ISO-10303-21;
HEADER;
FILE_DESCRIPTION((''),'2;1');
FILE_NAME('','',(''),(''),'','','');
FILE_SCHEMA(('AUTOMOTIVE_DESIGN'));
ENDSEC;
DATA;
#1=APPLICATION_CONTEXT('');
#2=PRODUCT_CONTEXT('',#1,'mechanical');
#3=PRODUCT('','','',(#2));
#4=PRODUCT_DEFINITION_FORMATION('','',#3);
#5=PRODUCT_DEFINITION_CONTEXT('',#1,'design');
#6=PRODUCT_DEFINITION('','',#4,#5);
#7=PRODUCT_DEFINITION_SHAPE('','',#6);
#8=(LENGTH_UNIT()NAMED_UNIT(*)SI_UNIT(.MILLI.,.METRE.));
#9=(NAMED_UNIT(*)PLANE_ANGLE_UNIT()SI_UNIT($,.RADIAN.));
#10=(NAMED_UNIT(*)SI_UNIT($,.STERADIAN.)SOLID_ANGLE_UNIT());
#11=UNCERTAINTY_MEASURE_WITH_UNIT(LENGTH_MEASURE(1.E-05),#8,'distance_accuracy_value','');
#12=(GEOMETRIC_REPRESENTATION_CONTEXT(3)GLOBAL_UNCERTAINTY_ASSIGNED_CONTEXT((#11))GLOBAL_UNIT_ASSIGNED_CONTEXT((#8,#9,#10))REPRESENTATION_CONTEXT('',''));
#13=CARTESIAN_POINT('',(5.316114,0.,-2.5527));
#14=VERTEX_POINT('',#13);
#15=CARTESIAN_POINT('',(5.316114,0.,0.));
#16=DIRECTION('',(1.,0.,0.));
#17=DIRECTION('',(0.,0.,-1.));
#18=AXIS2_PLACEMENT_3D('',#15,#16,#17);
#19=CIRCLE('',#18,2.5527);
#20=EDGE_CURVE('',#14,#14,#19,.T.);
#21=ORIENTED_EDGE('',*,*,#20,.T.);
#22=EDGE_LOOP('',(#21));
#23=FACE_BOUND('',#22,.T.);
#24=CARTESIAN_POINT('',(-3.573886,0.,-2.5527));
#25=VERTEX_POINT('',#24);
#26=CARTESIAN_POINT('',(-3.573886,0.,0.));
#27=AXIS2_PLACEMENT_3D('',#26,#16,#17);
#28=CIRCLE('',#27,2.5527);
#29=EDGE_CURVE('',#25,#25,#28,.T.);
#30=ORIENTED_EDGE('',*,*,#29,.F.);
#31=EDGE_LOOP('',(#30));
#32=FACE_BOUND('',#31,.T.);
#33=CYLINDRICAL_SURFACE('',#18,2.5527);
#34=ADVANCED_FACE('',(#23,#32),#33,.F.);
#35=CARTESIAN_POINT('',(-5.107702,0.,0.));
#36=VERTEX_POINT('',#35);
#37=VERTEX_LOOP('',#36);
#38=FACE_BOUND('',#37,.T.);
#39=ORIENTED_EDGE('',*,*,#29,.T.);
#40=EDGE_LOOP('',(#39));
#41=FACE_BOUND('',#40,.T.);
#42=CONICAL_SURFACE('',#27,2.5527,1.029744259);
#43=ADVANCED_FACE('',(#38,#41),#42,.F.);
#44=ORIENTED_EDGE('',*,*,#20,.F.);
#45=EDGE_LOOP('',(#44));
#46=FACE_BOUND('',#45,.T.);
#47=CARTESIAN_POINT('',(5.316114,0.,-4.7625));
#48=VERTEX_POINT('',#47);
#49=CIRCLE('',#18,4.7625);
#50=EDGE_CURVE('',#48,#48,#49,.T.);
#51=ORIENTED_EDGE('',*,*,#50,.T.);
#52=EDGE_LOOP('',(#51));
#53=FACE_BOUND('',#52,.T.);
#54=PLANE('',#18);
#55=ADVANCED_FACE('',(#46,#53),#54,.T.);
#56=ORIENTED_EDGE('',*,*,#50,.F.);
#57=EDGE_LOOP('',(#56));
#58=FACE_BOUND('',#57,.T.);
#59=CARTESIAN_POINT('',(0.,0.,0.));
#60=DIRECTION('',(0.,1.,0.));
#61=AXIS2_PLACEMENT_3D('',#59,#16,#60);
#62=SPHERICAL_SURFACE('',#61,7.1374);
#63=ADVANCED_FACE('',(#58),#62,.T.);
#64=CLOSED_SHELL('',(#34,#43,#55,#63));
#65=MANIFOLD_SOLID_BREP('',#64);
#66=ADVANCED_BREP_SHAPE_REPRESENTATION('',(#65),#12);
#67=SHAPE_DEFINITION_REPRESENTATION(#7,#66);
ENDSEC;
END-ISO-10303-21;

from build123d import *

# Parameters (mm, degrees)
F_1_4_20_TAPPED_HOLE1_D     = 5.1054
F_1_4_20_TAPPED_HOLE1_DEPTH = 8.89
F_1_4_20_TAPPED_HOLE1_TIP   = 1.533816902


with BuildPart() as part:
    # Sketch2 → Revolve1 (revolve)
    with BuildSketch(Plane.XY):
        with BuildLine():
            Line((-7.1374, 0), (5.316114418, 0))
            Line((5.316114418, 0), (5.316114418, 4.7625))
            ThreePointArc((5.316114418, 4.7625), (-2.549435595, 6.6665476), (-7.1374, 0))
        make_face()
    revolve(axis=Axis((0, 0, 0), (-1, 0, 0)))

    # 1/4-20 Tapped Hole1
    with Locations(Plane(origin=(5.316114418, 0, 0), x_dir=(0, 0, -1), z_dir=(1, 0, 0))):
        with Locations((0, 0)):
            Hole(F_1_4_20_TAPPED_HOLE1_D / 2, depth=F_1_4_20_TAPPED_HOLE1_DEPTH)
            with Locations((0, 0, -(F_1_4_20_TAPPED_HOLE1_DEPTH + F_1_4_20_TAPPED_HOLE1_TIP / 2))):  # 118° drill point
                Cone(0, F_1_4_20_TAPPED_HOLE1_D / 2, F_1_4_20_TAPPED_HOLE1_TIP, mode=Mode.SUBTRACT)


solid = part.part
